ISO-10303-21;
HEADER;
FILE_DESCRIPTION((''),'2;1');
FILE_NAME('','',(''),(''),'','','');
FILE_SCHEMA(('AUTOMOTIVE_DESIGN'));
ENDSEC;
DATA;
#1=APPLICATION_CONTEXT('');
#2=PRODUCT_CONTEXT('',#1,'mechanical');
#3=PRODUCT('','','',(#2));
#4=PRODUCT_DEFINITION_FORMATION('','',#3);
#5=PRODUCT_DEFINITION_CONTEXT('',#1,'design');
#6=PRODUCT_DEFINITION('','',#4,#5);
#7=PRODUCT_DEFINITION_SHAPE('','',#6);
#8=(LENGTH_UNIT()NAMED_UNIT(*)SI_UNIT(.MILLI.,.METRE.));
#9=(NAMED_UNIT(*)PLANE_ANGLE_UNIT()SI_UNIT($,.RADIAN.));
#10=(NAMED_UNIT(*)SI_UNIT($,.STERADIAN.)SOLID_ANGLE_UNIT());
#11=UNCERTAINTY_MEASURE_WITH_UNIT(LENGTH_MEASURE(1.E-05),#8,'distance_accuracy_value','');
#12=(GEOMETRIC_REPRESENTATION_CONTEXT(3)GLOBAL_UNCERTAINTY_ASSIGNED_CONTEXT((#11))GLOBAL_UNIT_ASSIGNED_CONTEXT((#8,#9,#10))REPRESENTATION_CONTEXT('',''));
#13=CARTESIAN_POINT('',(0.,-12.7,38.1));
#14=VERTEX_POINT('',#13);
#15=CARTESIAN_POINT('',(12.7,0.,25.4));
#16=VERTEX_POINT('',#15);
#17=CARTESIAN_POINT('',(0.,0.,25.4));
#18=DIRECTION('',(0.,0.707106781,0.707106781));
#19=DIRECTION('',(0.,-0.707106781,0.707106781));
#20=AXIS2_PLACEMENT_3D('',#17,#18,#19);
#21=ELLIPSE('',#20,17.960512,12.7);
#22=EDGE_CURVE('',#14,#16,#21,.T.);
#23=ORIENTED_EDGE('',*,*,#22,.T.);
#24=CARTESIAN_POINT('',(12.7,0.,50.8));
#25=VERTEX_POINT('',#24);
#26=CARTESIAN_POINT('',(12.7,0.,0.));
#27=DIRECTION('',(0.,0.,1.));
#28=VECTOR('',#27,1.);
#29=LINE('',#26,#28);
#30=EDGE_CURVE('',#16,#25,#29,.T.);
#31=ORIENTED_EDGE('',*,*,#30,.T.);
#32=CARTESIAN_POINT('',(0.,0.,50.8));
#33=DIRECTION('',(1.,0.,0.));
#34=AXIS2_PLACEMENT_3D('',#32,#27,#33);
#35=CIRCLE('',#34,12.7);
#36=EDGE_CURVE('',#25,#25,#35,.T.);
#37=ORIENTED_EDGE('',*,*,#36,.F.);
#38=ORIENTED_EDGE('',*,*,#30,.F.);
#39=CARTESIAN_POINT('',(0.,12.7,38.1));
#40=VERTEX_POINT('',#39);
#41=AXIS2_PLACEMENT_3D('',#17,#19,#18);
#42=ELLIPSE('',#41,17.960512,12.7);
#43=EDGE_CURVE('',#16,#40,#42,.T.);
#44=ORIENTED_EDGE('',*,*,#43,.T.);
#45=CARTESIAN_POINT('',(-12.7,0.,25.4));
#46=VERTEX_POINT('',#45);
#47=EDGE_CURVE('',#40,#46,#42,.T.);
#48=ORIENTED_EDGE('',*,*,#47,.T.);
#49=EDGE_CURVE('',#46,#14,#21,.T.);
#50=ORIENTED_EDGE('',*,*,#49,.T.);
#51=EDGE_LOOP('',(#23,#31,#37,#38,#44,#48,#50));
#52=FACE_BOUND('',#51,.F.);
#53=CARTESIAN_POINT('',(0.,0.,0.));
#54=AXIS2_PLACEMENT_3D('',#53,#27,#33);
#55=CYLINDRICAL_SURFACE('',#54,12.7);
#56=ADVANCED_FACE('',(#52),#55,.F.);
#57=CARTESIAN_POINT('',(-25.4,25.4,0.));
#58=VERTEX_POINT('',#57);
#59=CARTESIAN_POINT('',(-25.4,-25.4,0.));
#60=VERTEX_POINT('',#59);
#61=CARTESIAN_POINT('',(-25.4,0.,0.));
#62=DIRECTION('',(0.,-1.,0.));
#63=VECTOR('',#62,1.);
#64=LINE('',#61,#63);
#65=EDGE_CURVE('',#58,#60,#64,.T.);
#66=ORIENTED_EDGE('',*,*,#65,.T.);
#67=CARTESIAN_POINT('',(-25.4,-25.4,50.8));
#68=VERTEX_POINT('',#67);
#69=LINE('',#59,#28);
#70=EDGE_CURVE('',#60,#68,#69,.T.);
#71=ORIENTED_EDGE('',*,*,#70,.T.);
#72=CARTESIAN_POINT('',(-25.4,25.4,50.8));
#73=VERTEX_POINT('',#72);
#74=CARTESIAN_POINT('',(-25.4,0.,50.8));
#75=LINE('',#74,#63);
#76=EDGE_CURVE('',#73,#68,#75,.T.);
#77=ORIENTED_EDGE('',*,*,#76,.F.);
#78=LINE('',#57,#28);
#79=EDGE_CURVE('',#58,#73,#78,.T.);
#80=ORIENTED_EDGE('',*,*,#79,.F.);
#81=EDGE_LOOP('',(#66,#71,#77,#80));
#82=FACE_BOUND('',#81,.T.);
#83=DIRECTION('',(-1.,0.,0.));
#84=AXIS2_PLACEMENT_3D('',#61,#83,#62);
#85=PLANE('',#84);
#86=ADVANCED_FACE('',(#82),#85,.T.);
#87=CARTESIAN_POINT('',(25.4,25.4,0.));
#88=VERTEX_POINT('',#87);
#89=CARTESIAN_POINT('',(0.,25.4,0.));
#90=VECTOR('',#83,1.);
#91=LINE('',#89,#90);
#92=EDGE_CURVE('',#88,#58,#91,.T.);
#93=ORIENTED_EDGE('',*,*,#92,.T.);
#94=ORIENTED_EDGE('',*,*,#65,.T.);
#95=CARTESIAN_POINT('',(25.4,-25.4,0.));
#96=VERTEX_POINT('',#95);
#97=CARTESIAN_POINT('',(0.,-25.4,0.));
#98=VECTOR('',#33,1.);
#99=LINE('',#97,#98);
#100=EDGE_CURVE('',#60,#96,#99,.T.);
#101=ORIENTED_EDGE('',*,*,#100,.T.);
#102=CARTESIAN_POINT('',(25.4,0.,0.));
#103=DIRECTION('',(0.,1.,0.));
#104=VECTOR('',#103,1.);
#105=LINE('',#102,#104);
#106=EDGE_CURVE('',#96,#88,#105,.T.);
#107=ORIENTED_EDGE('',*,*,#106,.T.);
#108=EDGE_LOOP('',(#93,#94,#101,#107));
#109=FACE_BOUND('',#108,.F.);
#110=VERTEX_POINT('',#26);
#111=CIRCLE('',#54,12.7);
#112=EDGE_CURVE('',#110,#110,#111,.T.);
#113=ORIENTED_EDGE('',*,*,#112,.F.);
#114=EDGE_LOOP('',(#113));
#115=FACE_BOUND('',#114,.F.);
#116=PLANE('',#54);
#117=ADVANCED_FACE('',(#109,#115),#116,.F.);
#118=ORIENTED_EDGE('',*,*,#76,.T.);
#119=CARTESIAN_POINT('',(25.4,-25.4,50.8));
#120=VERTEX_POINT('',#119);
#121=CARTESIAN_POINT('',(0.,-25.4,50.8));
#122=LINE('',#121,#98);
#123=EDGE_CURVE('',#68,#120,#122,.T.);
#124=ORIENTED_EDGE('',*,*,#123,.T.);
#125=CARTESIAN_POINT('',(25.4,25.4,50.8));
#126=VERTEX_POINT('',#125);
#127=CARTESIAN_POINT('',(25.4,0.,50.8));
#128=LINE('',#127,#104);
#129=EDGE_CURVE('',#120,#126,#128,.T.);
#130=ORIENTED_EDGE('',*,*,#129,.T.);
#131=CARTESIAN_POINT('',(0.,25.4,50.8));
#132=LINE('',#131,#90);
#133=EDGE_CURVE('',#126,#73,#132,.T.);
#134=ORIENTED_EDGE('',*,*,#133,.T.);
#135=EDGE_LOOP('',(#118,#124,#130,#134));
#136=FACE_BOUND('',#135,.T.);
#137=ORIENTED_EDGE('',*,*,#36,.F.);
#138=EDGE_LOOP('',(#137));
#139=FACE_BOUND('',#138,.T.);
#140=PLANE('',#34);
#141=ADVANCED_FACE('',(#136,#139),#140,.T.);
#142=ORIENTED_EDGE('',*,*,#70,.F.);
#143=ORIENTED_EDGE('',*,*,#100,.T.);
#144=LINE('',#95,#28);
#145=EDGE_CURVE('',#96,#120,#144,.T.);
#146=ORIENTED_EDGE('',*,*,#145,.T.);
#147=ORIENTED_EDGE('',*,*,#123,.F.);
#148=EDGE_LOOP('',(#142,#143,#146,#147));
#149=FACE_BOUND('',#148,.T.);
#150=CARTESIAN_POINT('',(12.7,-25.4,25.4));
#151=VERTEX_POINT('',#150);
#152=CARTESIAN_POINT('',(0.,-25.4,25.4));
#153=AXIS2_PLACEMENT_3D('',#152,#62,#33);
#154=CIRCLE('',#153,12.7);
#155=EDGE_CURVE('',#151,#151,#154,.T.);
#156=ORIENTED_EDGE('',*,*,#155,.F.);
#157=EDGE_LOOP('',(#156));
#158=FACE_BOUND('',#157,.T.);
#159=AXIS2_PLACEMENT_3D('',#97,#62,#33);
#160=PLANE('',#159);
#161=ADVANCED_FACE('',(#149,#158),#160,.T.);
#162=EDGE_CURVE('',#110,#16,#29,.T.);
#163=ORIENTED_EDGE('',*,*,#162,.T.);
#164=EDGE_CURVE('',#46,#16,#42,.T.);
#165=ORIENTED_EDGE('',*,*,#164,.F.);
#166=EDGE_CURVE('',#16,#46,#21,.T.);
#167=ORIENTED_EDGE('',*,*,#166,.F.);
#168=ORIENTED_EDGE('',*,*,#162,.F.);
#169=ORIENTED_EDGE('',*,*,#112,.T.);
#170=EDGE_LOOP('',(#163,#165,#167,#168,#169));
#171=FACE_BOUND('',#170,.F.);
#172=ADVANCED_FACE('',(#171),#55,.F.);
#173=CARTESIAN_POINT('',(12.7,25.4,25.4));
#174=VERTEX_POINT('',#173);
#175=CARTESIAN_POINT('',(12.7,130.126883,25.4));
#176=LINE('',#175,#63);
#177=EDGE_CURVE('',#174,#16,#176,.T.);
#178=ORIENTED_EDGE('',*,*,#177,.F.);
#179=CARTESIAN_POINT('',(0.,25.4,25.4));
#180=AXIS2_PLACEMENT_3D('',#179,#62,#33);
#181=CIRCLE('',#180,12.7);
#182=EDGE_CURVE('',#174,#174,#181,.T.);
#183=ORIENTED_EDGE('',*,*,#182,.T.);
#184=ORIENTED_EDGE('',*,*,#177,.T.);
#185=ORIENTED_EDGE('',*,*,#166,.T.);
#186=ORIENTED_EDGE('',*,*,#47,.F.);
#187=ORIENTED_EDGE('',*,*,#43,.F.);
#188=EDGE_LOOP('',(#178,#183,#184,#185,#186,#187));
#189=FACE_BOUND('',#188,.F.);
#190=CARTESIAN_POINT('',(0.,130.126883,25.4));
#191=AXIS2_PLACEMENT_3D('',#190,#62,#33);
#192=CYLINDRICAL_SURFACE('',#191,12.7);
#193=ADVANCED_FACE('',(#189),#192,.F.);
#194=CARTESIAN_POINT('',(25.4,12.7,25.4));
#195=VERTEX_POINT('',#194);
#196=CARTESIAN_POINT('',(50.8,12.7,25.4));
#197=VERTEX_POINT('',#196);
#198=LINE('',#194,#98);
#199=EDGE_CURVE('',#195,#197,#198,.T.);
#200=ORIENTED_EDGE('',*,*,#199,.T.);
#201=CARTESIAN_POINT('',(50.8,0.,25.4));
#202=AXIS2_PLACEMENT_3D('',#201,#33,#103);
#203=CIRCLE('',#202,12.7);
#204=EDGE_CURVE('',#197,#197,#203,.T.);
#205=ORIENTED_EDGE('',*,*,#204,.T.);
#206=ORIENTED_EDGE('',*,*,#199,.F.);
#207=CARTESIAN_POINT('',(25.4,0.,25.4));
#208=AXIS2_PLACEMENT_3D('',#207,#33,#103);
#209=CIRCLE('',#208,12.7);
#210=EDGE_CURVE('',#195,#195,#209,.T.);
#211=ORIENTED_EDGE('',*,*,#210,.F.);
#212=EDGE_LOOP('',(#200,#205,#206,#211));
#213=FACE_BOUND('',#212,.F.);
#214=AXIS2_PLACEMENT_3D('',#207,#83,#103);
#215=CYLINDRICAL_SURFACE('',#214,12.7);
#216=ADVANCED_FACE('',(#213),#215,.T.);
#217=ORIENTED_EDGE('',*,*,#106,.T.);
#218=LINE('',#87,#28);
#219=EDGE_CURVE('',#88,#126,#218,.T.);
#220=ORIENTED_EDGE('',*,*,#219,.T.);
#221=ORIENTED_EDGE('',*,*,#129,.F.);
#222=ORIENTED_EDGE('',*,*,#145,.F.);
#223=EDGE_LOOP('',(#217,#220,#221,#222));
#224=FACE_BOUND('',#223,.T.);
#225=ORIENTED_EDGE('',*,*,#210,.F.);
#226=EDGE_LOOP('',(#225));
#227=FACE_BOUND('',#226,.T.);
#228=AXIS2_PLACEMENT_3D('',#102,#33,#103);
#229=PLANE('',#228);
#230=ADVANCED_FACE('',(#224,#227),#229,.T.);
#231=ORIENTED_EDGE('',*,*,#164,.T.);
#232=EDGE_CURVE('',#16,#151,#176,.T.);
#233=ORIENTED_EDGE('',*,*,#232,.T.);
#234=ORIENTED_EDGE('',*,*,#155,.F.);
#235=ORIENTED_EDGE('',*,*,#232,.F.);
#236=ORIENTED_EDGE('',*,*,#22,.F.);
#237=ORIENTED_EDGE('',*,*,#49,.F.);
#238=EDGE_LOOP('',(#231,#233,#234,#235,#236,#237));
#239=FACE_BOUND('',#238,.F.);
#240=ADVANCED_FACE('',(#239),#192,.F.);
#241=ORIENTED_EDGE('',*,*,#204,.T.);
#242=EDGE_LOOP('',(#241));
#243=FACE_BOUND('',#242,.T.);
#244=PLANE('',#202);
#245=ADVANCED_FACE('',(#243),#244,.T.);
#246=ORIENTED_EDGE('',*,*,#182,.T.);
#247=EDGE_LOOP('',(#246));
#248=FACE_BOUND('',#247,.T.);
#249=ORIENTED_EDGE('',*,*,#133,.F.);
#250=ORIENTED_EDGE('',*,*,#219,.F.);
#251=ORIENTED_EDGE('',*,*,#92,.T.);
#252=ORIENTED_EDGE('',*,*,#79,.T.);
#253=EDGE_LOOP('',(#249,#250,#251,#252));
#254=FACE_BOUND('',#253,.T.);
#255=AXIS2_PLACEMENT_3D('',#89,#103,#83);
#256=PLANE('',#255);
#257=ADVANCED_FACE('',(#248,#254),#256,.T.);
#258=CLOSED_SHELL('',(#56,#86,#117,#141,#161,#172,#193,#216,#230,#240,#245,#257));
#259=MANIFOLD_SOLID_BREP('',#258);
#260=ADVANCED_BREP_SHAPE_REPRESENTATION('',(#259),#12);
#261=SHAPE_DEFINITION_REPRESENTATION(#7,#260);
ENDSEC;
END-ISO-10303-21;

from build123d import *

# Parameters (mm, degrees)
F0_W     = 50.8
F0_H     = 50.8
F0_R     = 12.7
F3_R     = 12.7
F4_DEPTH = 25.4
F6_D     = 25.4


with BuildPart() as f2:
    # F2: sweep along a path in F1
    with BuildLine(Plane.XZ) as f2_path:
        Line((0, 0), (0, 50.8))
    # F0 (on Top) → F2 (sweep)
    with BuildSketch(Plane.XY):
        Rectangle(F0_W, F0_H)
        Circle(F0_R, mode=Mode.SUBTRACT)
    sweep(path=f2_path.line)

    # F3 (on face) → F4 (join)
    with BuildSketch(Plane.YZ.offset(25.4)):
        with Locations((0, 25.4)):
            Circle(F3_R)
    extrude(amount=F4_DEPTH)

    # F6 (through all)
    with Locations(Plane(origin=(0, 25.4, 0), x_dir=(-1, 0, 0), z_dir=(0, 1, 0))):
        with Locations((0, 25.4)):
            Hole(F6_D / 2)


solid = f2.part
